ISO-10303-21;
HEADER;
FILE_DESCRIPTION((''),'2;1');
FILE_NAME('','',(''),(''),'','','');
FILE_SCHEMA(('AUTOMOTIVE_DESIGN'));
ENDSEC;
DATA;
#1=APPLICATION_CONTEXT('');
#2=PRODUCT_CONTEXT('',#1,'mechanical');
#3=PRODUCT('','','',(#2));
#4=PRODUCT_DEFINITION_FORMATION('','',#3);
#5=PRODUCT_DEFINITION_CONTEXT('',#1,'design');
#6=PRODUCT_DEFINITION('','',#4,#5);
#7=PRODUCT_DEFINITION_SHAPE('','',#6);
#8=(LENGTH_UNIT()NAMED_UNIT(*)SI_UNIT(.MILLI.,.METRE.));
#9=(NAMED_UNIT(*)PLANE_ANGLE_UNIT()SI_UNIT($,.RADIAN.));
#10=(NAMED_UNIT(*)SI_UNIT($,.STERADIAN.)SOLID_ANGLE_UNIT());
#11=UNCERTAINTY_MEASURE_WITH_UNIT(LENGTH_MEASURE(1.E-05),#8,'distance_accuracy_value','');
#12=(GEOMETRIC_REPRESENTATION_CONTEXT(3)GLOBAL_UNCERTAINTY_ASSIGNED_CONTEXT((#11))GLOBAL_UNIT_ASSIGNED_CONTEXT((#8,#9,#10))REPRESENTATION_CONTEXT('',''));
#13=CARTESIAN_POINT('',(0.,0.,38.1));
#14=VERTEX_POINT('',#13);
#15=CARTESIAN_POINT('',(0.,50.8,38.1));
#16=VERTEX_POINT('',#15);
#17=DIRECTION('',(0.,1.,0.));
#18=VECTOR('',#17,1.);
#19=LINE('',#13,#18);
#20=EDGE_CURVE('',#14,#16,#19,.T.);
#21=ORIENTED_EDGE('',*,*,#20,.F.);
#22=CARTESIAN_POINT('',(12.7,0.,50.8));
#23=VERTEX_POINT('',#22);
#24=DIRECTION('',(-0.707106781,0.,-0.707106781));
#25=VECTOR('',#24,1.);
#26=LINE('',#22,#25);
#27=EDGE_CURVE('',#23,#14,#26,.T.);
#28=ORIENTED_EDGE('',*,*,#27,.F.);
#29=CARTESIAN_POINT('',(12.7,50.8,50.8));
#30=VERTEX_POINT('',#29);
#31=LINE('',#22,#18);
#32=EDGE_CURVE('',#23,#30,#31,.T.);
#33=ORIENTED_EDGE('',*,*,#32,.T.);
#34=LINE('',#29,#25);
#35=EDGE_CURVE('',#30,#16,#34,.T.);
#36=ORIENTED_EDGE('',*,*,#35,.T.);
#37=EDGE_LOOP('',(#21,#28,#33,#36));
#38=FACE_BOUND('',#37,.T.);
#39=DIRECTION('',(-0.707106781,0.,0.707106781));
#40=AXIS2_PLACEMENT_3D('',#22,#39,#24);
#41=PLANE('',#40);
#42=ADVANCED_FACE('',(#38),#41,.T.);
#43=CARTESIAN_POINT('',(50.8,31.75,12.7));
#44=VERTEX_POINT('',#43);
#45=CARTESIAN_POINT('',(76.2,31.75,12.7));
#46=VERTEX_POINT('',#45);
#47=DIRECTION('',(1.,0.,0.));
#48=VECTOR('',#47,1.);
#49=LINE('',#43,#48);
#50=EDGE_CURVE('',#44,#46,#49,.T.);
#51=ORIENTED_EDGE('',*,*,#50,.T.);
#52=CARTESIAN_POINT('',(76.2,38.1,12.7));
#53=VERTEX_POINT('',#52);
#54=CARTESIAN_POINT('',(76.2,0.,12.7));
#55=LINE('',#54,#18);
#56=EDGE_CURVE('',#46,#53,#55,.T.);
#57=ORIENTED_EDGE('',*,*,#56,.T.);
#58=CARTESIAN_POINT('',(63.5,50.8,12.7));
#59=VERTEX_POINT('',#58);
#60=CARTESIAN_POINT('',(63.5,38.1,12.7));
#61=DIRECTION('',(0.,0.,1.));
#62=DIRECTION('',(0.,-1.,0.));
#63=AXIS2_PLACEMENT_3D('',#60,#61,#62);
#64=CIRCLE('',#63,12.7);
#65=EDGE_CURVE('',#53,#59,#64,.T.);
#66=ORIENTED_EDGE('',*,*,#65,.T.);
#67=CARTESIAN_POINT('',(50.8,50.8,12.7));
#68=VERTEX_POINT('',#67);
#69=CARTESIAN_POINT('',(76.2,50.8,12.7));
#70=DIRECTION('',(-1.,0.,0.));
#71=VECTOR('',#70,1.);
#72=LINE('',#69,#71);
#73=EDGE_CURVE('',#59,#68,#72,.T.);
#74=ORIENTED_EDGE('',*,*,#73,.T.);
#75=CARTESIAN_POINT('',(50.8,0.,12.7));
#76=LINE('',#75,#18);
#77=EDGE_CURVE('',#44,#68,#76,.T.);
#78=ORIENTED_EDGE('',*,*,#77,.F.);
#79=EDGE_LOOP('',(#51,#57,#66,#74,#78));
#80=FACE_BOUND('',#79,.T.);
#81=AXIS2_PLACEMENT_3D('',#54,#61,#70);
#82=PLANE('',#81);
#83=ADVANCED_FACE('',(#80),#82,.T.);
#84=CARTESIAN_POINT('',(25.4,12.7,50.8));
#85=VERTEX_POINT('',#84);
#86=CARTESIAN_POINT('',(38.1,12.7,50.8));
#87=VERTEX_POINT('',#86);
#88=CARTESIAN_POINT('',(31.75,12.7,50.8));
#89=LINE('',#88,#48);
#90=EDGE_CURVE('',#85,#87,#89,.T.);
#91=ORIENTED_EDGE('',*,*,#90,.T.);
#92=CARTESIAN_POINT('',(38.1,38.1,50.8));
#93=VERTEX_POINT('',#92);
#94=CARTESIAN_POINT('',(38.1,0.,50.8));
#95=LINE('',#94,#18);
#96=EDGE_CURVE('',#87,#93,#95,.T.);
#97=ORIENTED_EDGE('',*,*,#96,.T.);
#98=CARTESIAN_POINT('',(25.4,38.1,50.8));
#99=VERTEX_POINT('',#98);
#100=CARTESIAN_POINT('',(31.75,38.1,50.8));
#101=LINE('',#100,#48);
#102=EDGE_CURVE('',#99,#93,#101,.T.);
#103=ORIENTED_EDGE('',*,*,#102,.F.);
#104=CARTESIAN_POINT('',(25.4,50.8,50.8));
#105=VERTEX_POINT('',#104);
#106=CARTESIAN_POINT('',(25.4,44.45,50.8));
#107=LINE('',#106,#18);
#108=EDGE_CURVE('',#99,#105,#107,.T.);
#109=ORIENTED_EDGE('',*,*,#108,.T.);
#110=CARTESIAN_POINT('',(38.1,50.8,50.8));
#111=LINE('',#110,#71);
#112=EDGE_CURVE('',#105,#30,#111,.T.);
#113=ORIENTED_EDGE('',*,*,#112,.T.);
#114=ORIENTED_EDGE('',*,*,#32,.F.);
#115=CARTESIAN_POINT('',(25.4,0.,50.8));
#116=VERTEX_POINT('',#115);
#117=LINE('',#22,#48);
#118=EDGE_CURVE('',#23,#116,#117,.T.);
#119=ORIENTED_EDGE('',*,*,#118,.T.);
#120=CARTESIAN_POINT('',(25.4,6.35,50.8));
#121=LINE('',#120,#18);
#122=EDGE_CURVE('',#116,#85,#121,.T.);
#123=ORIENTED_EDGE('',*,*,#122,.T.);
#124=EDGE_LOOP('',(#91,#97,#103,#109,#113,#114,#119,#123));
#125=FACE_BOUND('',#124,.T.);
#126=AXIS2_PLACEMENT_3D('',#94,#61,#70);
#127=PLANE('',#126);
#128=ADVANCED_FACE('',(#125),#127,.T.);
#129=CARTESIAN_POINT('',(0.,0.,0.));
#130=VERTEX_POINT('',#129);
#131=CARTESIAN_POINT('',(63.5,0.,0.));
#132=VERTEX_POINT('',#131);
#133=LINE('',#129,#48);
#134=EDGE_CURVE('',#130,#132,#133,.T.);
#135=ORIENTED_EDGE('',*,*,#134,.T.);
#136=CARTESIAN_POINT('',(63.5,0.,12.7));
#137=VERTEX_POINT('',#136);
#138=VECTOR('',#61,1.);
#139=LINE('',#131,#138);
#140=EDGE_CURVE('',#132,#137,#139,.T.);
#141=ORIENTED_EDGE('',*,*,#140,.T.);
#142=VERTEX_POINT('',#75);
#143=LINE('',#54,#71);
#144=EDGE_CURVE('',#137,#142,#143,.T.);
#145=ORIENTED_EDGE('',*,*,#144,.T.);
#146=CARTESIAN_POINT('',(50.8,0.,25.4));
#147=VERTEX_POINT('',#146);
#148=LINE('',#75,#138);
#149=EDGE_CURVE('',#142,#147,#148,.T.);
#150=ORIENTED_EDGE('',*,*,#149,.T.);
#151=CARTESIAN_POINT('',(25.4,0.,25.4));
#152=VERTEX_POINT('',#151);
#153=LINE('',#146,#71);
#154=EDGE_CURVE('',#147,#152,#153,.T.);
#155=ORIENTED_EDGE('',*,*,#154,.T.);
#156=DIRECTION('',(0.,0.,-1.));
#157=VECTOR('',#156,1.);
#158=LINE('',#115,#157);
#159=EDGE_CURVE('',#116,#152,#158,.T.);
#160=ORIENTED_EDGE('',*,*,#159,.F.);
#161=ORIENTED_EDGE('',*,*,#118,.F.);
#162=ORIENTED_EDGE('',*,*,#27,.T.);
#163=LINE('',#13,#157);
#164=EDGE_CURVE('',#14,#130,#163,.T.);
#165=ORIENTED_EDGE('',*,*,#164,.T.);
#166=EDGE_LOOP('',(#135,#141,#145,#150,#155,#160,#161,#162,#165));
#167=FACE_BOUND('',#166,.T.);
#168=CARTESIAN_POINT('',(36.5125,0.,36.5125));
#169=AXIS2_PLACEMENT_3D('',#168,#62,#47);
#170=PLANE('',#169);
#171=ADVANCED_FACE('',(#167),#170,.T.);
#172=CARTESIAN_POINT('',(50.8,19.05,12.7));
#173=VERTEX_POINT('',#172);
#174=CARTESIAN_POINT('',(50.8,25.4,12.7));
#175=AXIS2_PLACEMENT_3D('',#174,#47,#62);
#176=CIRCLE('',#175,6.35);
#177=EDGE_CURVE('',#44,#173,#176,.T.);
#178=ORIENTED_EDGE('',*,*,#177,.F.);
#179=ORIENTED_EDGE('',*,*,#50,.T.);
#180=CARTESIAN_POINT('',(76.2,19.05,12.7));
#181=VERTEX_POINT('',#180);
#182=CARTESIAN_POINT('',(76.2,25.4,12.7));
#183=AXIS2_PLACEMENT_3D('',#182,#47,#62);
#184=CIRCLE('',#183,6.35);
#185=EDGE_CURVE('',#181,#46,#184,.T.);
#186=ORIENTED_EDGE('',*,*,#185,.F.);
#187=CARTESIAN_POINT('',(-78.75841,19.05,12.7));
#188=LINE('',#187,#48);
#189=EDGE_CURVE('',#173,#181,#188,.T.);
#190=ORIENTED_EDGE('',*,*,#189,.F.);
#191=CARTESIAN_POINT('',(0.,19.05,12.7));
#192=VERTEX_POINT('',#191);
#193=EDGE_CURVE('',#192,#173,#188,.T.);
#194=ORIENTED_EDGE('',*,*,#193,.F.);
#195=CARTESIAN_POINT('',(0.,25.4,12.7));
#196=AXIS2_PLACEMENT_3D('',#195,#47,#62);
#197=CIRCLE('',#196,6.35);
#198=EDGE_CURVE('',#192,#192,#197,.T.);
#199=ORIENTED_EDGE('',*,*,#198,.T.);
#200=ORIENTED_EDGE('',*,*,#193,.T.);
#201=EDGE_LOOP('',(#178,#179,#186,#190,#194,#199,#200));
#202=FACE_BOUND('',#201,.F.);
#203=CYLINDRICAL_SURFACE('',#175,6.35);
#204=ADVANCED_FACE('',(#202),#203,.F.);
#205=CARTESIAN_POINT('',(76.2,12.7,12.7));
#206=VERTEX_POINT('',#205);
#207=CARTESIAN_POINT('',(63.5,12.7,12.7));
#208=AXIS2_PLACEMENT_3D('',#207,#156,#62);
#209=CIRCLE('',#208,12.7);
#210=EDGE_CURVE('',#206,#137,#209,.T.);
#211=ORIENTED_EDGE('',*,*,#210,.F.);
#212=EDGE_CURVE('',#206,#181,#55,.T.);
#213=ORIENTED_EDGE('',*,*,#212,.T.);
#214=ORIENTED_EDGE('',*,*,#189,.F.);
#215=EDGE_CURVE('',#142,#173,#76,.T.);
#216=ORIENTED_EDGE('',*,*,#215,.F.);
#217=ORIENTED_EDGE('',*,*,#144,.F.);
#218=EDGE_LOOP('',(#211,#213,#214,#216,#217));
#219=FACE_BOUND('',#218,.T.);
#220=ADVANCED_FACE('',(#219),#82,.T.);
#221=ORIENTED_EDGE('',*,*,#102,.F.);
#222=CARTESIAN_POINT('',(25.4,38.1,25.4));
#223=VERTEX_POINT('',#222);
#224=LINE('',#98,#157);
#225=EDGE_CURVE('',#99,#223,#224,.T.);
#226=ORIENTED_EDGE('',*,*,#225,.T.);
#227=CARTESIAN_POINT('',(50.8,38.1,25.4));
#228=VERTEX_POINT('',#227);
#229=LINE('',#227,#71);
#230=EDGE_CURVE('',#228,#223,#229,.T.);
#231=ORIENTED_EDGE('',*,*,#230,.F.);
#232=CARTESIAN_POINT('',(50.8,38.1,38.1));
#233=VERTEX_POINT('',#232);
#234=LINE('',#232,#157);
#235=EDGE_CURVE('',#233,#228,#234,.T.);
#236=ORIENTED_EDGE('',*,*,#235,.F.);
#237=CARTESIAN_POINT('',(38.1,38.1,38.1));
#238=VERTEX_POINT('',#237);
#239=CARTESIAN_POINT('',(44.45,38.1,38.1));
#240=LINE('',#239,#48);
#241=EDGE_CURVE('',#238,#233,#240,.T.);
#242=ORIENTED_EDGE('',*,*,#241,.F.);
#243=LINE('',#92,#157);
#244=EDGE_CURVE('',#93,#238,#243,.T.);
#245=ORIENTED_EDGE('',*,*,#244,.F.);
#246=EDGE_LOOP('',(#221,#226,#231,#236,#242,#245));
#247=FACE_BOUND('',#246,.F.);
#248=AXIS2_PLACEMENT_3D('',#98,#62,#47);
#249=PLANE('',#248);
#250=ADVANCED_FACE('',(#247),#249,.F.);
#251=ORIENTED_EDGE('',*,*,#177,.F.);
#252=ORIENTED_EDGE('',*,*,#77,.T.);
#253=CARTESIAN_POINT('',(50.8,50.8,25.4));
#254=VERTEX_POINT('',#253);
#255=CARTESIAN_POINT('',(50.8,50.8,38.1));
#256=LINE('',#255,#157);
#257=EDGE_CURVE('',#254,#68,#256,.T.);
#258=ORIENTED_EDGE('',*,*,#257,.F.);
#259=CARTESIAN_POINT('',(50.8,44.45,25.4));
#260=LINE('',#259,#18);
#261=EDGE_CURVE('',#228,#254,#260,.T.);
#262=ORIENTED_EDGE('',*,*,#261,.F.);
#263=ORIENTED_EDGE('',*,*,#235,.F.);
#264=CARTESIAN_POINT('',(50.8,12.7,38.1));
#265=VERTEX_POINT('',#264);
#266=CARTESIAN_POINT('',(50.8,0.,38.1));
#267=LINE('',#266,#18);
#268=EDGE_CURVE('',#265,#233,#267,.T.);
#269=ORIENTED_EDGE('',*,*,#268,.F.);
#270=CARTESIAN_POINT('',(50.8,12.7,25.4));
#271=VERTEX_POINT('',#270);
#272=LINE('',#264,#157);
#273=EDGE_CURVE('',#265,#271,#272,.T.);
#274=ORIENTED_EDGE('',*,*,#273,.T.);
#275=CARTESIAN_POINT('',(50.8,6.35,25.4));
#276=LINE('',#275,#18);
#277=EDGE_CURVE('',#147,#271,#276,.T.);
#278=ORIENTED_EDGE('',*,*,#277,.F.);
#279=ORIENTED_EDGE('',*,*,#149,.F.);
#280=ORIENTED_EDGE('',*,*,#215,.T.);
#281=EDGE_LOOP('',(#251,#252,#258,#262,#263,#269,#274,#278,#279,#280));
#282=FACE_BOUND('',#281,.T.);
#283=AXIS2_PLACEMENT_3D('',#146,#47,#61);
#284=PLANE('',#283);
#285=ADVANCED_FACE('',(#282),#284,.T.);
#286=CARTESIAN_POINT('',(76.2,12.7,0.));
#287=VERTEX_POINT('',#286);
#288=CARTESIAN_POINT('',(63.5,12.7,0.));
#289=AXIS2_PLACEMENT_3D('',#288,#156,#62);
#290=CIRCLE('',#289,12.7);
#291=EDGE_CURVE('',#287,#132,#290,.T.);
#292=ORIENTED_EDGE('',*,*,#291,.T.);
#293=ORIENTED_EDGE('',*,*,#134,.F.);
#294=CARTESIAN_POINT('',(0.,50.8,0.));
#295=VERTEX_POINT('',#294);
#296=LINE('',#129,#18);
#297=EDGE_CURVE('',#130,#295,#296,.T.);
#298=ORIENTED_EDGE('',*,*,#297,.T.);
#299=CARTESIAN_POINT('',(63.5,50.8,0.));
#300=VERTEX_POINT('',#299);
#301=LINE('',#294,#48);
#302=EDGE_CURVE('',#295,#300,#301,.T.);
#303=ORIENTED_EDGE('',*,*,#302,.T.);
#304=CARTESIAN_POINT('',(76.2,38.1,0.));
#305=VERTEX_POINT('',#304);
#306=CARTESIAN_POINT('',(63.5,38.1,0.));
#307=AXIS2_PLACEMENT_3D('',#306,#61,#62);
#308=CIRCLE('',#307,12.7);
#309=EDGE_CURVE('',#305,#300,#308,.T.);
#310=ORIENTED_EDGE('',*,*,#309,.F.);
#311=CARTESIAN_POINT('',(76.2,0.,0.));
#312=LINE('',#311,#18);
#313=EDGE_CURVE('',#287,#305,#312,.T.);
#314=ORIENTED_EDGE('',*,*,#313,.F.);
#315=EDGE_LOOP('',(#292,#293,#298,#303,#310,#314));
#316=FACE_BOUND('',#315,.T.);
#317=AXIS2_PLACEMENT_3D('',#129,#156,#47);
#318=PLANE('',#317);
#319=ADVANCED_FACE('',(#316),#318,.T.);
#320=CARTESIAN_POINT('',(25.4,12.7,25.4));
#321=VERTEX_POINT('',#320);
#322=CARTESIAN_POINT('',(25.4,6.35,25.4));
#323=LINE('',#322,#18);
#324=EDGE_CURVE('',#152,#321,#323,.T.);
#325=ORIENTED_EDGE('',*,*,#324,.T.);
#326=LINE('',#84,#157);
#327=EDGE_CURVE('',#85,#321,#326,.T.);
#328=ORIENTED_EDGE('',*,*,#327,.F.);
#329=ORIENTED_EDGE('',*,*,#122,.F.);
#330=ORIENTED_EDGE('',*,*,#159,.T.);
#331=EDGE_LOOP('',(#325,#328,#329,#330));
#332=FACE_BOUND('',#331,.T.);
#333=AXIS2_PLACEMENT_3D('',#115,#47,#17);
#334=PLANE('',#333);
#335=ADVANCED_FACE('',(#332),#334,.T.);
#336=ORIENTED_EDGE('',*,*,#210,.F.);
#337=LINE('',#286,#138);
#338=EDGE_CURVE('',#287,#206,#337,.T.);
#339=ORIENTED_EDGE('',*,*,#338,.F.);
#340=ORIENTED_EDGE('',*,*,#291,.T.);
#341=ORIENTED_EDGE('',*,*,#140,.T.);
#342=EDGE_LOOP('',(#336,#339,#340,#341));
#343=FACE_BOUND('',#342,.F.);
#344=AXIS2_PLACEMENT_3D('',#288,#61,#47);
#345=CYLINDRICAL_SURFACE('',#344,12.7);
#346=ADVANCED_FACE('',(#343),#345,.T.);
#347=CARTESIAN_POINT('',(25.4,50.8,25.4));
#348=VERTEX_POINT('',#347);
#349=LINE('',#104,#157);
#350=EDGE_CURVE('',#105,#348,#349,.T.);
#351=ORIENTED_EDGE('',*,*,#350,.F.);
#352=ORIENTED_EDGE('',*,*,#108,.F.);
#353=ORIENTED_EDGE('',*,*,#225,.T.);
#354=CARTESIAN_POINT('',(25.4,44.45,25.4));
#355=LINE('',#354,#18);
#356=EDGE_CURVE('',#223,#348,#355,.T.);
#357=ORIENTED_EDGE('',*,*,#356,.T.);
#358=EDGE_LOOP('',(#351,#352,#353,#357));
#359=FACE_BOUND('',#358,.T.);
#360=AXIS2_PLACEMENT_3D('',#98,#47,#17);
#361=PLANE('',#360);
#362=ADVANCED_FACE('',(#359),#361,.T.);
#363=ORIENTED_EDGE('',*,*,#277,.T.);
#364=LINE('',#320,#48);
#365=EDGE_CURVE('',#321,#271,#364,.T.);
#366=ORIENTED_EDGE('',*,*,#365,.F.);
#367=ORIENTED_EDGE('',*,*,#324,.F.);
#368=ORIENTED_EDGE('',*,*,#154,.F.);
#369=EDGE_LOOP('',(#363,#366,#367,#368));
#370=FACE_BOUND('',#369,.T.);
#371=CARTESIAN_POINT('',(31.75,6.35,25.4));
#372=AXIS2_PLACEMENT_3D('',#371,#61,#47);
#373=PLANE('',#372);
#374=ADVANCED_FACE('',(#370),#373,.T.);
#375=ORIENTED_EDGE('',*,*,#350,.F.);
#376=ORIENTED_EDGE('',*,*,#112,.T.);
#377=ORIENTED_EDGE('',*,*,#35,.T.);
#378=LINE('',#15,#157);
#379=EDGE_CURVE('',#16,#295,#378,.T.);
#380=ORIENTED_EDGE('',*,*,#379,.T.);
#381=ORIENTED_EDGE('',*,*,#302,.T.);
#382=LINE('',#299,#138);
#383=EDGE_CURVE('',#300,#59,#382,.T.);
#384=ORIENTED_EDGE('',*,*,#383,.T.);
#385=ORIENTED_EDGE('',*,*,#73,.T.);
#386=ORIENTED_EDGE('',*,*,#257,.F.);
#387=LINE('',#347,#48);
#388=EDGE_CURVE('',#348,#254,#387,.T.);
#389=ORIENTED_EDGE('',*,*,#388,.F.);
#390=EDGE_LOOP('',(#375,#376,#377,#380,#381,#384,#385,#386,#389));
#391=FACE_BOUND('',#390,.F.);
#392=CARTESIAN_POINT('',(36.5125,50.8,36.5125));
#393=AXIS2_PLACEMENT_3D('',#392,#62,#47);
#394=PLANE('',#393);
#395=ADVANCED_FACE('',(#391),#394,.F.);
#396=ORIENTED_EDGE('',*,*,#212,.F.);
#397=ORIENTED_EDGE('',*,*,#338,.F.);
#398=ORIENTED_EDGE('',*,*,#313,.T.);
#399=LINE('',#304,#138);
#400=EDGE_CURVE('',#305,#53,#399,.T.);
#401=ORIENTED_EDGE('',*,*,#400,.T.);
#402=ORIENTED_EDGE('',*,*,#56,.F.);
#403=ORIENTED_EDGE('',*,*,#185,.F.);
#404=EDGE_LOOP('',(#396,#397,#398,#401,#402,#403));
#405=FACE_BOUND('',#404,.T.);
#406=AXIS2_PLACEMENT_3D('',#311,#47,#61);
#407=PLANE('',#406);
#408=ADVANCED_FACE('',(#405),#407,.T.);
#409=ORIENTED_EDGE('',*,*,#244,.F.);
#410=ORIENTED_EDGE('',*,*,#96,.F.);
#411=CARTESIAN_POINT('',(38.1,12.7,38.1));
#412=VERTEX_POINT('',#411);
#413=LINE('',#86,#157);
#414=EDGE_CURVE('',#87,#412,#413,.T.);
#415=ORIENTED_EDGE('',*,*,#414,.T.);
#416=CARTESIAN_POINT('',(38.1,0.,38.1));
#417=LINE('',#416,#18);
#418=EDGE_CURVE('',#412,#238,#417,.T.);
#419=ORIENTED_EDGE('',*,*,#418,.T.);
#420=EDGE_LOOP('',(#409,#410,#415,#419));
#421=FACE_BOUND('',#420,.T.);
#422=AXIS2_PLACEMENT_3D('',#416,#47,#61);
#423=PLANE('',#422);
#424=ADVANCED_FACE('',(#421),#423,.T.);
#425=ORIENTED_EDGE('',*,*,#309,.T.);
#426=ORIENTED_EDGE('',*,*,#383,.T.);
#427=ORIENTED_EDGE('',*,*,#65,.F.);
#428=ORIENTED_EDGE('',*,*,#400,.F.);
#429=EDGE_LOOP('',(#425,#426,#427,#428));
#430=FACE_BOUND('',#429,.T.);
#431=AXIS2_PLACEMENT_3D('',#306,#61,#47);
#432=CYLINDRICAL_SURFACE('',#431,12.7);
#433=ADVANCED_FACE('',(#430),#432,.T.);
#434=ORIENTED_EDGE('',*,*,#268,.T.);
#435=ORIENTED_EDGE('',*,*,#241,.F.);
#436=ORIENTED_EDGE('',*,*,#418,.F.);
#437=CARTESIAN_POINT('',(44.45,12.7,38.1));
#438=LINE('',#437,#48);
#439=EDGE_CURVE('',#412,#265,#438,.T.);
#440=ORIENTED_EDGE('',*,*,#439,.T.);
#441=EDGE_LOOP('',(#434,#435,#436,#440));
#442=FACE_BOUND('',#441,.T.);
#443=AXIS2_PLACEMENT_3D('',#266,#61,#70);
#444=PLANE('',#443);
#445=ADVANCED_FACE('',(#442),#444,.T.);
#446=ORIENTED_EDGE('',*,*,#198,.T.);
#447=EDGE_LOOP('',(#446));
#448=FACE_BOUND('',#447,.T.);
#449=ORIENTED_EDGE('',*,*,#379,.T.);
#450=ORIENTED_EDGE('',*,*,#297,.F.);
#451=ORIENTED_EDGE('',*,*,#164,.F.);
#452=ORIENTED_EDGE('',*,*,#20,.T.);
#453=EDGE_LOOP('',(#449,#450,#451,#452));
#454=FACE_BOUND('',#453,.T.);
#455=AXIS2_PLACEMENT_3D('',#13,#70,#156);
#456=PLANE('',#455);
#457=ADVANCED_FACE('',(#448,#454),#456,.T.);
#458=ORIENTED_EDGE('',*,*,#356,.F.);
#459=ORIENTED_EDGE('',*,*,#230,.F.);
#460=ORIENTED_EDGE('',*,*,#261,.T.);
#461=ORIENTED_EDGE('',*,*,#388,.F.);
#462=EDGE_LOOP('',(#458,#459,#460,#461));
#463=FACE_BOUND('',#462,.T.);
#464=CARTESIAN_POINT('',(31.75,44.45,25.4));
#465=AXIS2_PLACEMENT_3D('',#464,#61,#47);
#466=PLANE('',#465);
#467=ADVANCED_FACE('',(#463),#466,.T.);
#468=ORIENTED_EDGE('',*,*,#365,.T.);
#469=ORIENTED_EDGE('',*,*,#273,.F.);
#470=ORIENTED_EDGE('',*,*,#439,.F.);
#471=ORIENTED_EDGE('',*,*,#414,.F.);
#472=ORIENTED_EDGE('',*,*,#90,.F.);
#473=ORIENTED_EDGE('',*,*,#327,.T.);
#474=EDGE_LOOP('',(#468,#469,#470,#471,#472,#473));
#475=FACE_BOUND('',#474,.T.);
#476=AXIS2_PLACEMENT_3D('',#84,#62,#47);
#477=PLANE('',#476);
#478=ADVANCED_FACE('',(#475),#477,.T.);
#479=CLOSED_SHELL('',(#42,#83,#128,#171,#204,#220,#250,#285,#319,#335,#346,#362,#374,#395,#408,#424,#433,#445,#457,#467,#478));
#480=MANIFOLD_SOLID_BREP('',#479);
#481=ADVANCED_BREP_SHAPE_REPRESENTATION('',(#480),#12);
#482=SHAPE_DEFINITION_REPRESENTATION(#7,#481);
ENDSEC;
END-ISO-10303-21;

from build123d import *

# Parameters (mm, degrees)
F1_DEPTH  = 50.8
F2_DEPTH  = 50.8
F3_W      = 12.7
F3_H      = 12.7
F4_DEPTH  = 25.4
F5_W      = 12.7
F5_H      = 12.7
F6_DEPTH  = 25.4
F7_W      = 12.7
F7_H      = 12.7
F8_DEPTH  = 12.7
F9_R      = 12.7
F11_DEPTH = 129.55841


with BuildPart() as f1:
    # F0 (on Front) → F1 (new body)
    with BuildSketch(Plane.XZ):
        Polygon((0, 38.1), (0, 0), (76.2, 0), (76.2, 12.7), (50.8, 12.7), (50.8, 25.4), (25.4, 25.4), (25.4, 50.8), (12.7, 50.8), align=None)
    extrude(amount=-F1_DEPTH)

    # F0 (on Front) → F2 (join)
    with BuildSketch(Plane.XZ):
        Polygon((38.1, 50.8), (25.4, 50.8), (25.4, 25.4), (50.8, 25.4), (50.8, 38.1), (38.1, 38.1), align=None)
    extrude(amount=-F2_DEPTH)

    # F3 (on face) → F4 (cut)
    with BuildSketch(Plane.XY.offset(50.8)):
        with Locations((31.75, 6.35)):
            Rectangle(F3_W, F3_H)
    extrude(amount=-F4_DEPTH, mode=Mode.SUBTRACT)

    # F5 (on face) → F6 (cut)
    with BuildSketch(Plane.XY.offset(50.8)):
        with Locations((31.75, 44.45)):
            Rectangle(F5_W, F5_H)
    extrude(amount=-F6_DEPTH, mode=Mode.SUBTRACT)

    # F7 (on face) → F8 (cut)
    with BuildSketch(Plane.XY.offset(38.1)):
        with Locations((44.45, 6.35)):
            Rectangle(F7_W, F7_H)
        with Locations((44.45, 44.45)):
            Rectangle(F7_W, F7_H)
    extrude(amount=-F8_DEPTH, mode=Mode.SUBTRACT)

    # F9
    f9_edges = [f1.edges().sort_by_distance(p)[0] for p in [
        (76.2, 0, 6.35),
        (76.2, 50.8, 6.35),
    ]]
    fillet(f9_edges, radius=F9_R)

    # F10 (on face) → F11 (cut, symmetric)
    with BuildSketch(Plane.YZ.offset(50.8)):
        with BuildLine():
            Line((19.05, 12.7), (31.75, 12.7))
            ThreePointArc((31.75, 12.7), (25.4, 19.05), (19.05, 12.7))
        make_face()
        with BuildLine():
            ThreePointArc((19.05, 12.7), (25.4, 6.35), (31.75, 12.7))
            Line((31.75, 12.7), (19.05, 12.7))
        make_face()
    extrude(amount=F11_DEPTH, both=True, mode=Mode.SUBTRACT)


solid = f1.part
